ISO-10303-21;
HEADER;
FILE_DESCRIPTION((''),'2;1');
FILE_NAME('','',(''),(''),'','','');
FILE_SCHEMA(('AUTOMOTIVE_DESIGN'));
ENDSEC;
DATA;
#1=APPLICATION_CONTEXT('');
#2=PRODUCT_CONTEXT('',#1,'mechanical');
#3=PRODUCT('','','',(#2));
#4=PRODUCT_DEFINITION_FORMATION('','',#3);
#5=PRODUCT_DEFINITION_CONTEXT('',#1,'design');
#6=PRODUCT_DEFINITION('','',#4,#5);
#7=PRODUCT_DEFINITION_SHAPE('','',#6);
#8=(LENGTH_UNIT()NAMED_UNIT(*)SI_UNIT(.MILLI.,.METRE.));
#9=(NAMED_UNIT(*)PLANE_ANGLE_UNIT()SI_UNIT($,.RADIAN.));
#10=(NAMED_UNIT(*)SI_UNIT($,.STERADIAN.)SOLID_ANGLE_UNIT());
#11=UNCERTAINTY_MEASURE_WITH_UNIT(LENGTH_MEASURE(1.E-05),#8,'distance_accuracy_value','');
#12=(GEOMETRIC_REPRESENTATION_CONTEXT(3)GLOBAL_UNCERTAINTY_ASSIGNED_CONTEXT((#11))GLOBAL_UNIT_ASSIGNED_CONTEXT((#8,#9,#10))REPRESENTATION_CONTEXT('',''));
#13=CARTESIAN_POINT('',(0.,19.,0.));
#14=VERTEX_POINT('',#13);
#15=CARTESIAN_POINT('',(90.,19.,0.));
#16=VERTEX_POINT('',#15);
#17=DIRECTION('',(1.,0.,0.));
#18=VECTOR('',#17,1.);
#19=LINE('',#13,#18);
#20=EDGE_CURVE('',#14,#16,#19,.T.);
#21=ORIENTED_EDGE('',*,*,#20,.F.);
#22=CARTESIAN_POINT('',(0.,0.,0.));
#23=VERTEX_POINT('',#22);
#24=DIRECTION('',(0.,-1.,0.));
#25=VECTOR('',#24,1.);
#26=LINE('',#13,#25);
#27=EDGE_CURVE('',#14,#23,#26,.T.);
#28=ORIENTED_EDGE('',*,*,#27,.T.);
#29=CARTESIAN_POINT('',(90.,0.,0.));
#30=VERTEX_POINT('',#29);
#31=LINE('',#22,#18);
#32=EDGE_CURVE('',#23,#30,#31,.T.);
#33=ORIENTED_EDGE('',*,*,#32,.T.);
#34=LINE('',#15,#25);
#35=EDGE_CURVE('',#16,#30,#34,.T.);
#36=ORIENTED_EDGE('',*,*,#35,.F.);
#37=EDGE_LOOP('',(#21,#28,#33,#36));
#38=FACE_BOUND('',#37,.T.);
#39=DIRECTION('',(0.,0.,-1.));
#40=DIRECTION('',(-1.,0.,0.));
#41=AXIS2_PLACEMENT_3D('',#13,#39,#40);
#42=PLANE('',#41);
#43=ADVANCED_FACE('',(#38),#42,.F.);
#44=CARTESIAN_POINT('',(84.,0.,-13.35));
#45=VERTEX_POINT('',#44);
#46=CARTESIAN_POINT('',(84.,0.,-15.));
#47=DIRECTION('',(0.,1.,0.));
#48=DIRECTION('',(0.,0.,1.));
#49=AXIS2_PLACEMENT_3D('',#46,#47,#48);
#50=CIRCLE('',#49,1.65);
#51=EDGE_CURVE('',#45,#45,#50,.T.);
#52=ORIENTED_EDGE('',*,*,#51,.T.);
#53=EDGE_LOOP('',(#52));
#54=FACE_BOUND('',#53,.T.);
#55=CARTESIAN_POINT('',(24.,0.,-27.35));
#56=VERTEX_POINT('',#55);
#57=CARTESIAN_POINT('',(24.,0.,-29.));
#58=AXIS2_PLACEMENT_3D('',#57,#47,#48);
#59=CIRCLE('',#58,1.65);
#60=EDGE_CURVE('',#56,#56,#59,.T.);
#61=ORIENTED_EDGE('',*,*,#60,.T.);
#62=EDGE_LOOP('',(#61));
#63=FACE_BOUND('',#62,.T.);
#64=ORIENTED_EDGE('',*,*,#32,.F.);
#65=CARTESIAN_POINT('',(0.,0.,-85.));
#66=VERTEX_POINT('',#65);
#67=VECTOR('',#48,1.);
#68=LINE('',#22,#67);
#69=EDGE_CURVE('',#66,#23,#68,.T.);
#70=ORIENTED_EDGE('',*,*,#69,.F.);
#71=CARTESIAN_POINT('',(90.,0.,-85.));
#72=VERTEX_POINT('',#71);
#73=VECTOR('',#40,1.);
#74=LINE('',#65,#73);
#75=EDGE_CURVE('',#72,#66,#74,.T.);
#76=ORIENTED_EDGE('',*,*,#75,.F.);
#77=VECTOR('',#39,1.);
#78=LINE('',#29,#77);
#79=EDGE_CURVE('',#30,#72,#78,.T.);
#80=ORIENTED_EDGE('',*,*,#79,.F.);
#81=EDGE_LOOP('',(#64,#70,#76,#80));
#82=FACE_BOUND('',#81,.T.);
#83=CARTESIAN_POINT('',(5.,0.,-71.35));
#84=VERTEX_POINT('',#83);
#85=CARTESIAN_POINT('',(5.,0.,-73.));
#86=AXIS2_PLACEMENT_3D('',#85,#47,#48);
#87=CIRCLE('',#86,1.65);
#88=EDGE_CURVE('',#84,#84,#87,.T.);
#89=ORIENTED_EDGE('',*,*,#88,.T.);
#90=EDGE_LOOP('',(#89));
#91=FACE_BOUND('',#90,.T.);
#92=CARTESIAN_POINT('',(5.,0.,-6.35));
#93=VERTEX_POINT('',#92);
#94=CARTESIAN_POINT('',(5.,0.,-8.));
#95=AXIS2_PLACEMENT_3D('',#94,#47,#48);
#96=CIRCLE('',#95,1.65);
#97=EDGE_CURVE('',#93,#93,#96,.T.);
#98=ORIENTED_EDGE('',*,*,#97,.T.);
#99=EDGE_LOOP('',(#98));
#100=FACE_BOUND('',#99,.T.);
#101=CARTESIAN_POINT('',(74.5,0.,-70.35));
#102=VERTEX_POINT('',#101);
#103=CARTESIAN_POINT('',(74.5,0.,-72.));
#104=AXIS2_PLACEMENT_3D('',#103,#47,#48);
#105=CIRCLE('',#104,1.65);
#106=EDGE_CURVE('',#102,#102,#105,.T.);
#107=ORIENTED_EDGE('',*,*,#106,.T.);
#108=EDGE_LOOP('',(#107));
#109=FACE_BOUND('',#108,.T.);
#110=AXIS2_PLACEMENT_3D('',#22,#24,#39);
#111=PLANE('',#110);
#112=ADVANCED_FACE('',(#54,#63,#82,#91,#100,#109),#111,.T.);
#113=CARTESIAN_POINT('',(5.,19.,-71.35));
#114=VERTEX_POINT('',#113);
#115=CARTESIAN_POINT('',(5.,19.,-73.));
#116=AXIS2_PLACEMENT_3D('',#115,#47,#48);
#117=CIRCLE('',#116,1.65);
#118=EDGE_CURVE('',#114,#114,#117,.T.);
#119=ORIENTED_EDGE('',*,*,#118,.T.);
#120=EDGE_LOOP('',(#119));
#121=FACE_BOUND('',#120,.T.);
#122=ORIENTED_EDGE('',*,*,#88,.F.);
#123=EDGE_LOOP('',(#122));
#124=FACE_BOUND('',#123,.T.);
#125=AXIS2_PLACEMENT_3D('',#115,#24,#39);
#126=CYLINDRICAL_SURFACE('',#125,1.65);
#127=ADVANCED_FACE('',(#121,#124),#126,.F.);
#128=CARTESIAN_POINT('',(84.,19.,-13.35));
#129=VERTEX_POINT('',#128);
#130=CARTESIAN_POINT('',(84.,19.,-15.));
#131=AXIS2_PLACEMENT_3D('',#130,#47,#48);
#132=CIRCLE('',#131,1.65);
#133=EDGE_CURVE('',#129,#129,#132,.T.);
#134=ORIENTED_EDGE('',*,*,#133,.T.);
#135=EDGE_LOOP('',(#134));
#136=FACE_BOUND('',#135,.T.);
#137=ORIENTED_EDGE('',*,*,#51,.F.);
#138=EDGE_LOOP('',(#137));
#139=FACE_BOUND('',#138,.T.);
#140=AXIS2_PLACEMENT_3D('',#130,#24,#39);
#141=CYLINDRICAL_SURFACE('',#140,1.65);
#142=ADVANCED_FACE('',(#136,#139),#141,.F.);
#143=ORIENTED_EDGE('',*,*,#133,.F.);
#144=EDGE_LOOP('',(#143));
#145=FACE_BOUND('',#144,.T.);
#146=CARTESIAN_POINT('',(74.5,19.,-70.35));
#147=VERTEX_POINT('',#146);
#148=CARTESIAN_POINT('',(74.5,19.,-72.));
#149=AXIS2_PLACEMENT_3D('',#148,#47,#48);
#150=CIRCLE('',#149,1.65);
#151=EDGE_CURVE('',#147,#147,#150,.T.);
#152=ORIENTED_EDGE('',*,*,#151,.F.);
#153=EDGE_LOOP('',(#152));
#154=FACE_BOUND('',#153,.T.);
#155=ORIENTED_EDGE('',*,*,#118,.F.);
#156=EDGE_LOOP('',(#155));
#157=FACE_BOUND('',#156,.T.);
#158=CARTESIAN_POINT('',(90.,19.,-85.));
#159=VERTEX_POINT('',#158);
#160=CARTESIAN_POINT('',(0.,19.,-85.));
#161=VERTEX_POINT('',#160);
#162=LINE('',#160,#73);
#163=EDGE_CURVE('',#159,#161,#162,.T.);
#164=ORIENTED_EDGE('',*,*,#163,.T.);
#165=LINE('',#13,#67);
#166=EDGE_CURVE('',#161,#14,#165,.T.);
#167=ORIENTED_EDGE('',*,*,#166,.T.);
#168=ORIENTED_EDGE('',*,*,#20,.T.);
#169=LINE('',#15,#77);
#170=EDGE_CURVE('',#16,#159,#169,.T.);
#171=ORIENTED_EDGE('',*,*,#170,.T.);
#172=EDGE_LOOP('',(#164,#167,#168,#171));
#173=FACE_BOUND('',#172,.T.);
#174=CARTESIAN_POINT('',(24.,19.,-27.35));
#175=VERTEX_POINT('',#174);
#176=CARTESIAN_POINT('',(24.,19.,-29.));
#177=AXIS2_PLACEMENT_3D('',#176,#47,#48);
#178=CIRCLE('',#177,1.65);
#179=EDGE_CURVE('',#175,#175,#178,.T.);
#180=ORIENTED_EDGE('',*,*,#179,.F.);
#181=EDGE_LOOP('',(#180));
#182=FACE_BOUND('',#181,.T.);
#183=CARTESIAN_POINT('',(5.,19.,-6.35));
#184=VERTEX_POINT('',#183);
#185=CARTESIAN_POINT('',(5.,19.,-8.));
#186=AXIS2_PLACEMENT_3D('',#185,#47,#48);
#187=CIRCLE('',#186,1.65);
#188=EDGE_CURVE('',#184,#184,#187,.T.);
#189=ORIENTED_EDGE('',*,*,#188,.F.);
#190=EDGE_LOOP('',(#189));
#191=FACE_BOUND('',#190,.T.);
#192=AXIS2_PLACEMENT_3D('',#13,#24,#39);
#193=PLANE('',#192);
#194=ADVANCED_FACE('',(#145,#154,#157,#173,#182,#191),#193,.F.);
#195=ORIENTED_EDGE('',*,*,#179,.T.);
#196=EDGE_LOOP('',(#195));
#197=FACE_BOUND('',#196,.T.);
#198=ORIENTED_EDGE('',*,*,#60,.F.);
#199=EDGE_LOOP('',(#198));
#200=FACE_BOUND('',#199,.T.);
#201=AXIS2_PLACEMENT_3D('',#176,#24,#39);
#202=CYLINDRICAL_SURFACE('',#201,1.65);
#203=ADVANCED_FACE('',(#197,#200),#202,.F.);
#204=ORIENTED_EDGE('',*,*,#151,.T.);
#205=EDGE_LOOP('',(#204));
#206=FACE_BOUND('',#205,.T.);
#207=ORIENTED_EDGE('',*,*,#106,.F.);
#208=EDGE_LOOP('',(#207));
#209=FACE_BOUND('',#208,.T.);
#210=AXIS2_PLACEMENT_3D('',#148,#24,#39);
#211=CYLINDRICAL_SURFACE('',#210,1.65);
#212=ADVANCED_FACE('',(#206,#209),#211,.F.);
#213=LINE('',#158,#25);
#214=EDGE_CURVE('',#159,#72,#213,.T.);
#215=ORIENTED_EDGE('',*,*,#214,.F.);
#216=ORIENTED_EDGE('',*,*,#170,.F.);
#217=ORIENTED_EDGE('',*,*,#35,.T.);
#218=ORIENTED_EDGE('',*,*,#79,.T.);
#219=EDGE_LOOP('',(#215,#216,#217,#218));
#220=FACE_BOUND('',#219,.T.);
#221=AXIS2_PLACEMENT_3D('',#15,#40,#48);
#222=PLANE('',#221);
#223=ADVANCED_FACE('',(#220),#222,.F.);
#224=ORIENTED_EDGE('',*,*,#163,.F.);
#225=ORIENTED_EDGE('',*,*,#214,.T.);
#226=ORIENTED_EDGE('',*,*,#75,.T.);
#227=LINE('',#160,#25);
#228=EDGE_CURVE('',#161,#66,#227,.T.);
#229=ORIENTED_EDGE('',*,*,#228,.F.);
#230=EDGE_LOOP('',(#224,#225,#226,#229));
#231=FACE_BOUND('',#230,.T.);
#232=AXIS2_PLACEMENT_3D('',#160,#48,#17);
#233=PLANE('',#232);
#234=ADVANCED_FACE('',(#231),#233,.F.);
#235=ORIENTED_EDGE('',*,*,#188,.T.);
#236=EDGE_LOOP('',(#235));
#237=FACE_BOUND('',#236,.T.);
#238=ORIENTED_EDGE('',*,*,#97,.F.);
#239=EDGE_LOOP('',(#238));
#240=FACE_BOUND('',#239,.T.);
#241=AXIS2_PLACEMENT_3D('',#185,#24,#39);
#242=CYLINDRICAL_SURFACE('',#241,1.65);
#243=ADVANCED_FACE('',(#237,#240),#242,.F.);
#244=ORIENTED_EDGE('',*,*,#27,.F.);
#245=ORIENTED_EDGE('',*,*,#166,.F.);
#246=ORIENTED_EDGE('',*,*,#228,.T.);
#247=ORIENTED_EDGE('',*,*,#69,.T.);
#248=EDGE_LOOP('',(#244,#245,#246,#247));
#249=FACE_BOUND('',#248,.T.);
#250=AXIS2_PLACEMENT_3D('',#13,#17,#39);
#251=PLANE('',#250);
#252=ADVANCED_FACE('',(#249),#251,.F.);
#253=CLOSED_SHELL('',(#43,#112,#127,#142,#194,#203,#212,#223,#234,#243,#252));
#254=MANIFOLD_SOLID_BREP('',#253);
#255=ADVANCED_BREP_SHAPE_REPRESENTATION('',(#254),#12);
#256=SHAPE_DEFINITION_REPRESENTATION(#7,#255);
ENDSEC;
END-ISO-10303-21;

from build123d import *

# Parameters (mm, degrees)
SKETCH1_W           = 90
SKETCH1_H           = 85
SKETCH1_R           = 1.65
BOSS_EXTRUDE1_DEPTH = 19


with BuildPart() as part:
    # Sketch1 → Boss-Extrude1 (new body)
    with BuildSketch(Plane(origin=(0, 0, 0), x_dir=(1, 0, 0), z_dir=(0, 1, 0))):
        with Locations((45, 42.5)):
            Rectangle(SKETCH1_W, SKETCH1_H)
        with Locations(Location((5, 73, 0), (0, 0, 270))):
            Circle(SKETCH1_R, mode=Mode.SUBTRACT)
        with Locations(Location((5, 8, 0), (0, 0, 270))):
            Circle(SKETCH1_R, mode=Mode.SUBTRACT)
        with Locations(Location((84, 15, 0), (0, 0, 270))):
            Circle(SKETCH1_R, mode=Mode.SUBTRACT)
        with Locations(Location((24, 29, 0), (0, 0, 270))):
            Circle(SKETCH1_R, mode=Mode.SUBTRACT)
        with Locations(Location((74.5, 72, 0), (0, 0, 270))):
            Circle(SKETCH1_R, mode=Mode.SUBTRACT)
    extrude(amount=BOSS_EXTRUDE1_DEPTH)


solid = part.part
